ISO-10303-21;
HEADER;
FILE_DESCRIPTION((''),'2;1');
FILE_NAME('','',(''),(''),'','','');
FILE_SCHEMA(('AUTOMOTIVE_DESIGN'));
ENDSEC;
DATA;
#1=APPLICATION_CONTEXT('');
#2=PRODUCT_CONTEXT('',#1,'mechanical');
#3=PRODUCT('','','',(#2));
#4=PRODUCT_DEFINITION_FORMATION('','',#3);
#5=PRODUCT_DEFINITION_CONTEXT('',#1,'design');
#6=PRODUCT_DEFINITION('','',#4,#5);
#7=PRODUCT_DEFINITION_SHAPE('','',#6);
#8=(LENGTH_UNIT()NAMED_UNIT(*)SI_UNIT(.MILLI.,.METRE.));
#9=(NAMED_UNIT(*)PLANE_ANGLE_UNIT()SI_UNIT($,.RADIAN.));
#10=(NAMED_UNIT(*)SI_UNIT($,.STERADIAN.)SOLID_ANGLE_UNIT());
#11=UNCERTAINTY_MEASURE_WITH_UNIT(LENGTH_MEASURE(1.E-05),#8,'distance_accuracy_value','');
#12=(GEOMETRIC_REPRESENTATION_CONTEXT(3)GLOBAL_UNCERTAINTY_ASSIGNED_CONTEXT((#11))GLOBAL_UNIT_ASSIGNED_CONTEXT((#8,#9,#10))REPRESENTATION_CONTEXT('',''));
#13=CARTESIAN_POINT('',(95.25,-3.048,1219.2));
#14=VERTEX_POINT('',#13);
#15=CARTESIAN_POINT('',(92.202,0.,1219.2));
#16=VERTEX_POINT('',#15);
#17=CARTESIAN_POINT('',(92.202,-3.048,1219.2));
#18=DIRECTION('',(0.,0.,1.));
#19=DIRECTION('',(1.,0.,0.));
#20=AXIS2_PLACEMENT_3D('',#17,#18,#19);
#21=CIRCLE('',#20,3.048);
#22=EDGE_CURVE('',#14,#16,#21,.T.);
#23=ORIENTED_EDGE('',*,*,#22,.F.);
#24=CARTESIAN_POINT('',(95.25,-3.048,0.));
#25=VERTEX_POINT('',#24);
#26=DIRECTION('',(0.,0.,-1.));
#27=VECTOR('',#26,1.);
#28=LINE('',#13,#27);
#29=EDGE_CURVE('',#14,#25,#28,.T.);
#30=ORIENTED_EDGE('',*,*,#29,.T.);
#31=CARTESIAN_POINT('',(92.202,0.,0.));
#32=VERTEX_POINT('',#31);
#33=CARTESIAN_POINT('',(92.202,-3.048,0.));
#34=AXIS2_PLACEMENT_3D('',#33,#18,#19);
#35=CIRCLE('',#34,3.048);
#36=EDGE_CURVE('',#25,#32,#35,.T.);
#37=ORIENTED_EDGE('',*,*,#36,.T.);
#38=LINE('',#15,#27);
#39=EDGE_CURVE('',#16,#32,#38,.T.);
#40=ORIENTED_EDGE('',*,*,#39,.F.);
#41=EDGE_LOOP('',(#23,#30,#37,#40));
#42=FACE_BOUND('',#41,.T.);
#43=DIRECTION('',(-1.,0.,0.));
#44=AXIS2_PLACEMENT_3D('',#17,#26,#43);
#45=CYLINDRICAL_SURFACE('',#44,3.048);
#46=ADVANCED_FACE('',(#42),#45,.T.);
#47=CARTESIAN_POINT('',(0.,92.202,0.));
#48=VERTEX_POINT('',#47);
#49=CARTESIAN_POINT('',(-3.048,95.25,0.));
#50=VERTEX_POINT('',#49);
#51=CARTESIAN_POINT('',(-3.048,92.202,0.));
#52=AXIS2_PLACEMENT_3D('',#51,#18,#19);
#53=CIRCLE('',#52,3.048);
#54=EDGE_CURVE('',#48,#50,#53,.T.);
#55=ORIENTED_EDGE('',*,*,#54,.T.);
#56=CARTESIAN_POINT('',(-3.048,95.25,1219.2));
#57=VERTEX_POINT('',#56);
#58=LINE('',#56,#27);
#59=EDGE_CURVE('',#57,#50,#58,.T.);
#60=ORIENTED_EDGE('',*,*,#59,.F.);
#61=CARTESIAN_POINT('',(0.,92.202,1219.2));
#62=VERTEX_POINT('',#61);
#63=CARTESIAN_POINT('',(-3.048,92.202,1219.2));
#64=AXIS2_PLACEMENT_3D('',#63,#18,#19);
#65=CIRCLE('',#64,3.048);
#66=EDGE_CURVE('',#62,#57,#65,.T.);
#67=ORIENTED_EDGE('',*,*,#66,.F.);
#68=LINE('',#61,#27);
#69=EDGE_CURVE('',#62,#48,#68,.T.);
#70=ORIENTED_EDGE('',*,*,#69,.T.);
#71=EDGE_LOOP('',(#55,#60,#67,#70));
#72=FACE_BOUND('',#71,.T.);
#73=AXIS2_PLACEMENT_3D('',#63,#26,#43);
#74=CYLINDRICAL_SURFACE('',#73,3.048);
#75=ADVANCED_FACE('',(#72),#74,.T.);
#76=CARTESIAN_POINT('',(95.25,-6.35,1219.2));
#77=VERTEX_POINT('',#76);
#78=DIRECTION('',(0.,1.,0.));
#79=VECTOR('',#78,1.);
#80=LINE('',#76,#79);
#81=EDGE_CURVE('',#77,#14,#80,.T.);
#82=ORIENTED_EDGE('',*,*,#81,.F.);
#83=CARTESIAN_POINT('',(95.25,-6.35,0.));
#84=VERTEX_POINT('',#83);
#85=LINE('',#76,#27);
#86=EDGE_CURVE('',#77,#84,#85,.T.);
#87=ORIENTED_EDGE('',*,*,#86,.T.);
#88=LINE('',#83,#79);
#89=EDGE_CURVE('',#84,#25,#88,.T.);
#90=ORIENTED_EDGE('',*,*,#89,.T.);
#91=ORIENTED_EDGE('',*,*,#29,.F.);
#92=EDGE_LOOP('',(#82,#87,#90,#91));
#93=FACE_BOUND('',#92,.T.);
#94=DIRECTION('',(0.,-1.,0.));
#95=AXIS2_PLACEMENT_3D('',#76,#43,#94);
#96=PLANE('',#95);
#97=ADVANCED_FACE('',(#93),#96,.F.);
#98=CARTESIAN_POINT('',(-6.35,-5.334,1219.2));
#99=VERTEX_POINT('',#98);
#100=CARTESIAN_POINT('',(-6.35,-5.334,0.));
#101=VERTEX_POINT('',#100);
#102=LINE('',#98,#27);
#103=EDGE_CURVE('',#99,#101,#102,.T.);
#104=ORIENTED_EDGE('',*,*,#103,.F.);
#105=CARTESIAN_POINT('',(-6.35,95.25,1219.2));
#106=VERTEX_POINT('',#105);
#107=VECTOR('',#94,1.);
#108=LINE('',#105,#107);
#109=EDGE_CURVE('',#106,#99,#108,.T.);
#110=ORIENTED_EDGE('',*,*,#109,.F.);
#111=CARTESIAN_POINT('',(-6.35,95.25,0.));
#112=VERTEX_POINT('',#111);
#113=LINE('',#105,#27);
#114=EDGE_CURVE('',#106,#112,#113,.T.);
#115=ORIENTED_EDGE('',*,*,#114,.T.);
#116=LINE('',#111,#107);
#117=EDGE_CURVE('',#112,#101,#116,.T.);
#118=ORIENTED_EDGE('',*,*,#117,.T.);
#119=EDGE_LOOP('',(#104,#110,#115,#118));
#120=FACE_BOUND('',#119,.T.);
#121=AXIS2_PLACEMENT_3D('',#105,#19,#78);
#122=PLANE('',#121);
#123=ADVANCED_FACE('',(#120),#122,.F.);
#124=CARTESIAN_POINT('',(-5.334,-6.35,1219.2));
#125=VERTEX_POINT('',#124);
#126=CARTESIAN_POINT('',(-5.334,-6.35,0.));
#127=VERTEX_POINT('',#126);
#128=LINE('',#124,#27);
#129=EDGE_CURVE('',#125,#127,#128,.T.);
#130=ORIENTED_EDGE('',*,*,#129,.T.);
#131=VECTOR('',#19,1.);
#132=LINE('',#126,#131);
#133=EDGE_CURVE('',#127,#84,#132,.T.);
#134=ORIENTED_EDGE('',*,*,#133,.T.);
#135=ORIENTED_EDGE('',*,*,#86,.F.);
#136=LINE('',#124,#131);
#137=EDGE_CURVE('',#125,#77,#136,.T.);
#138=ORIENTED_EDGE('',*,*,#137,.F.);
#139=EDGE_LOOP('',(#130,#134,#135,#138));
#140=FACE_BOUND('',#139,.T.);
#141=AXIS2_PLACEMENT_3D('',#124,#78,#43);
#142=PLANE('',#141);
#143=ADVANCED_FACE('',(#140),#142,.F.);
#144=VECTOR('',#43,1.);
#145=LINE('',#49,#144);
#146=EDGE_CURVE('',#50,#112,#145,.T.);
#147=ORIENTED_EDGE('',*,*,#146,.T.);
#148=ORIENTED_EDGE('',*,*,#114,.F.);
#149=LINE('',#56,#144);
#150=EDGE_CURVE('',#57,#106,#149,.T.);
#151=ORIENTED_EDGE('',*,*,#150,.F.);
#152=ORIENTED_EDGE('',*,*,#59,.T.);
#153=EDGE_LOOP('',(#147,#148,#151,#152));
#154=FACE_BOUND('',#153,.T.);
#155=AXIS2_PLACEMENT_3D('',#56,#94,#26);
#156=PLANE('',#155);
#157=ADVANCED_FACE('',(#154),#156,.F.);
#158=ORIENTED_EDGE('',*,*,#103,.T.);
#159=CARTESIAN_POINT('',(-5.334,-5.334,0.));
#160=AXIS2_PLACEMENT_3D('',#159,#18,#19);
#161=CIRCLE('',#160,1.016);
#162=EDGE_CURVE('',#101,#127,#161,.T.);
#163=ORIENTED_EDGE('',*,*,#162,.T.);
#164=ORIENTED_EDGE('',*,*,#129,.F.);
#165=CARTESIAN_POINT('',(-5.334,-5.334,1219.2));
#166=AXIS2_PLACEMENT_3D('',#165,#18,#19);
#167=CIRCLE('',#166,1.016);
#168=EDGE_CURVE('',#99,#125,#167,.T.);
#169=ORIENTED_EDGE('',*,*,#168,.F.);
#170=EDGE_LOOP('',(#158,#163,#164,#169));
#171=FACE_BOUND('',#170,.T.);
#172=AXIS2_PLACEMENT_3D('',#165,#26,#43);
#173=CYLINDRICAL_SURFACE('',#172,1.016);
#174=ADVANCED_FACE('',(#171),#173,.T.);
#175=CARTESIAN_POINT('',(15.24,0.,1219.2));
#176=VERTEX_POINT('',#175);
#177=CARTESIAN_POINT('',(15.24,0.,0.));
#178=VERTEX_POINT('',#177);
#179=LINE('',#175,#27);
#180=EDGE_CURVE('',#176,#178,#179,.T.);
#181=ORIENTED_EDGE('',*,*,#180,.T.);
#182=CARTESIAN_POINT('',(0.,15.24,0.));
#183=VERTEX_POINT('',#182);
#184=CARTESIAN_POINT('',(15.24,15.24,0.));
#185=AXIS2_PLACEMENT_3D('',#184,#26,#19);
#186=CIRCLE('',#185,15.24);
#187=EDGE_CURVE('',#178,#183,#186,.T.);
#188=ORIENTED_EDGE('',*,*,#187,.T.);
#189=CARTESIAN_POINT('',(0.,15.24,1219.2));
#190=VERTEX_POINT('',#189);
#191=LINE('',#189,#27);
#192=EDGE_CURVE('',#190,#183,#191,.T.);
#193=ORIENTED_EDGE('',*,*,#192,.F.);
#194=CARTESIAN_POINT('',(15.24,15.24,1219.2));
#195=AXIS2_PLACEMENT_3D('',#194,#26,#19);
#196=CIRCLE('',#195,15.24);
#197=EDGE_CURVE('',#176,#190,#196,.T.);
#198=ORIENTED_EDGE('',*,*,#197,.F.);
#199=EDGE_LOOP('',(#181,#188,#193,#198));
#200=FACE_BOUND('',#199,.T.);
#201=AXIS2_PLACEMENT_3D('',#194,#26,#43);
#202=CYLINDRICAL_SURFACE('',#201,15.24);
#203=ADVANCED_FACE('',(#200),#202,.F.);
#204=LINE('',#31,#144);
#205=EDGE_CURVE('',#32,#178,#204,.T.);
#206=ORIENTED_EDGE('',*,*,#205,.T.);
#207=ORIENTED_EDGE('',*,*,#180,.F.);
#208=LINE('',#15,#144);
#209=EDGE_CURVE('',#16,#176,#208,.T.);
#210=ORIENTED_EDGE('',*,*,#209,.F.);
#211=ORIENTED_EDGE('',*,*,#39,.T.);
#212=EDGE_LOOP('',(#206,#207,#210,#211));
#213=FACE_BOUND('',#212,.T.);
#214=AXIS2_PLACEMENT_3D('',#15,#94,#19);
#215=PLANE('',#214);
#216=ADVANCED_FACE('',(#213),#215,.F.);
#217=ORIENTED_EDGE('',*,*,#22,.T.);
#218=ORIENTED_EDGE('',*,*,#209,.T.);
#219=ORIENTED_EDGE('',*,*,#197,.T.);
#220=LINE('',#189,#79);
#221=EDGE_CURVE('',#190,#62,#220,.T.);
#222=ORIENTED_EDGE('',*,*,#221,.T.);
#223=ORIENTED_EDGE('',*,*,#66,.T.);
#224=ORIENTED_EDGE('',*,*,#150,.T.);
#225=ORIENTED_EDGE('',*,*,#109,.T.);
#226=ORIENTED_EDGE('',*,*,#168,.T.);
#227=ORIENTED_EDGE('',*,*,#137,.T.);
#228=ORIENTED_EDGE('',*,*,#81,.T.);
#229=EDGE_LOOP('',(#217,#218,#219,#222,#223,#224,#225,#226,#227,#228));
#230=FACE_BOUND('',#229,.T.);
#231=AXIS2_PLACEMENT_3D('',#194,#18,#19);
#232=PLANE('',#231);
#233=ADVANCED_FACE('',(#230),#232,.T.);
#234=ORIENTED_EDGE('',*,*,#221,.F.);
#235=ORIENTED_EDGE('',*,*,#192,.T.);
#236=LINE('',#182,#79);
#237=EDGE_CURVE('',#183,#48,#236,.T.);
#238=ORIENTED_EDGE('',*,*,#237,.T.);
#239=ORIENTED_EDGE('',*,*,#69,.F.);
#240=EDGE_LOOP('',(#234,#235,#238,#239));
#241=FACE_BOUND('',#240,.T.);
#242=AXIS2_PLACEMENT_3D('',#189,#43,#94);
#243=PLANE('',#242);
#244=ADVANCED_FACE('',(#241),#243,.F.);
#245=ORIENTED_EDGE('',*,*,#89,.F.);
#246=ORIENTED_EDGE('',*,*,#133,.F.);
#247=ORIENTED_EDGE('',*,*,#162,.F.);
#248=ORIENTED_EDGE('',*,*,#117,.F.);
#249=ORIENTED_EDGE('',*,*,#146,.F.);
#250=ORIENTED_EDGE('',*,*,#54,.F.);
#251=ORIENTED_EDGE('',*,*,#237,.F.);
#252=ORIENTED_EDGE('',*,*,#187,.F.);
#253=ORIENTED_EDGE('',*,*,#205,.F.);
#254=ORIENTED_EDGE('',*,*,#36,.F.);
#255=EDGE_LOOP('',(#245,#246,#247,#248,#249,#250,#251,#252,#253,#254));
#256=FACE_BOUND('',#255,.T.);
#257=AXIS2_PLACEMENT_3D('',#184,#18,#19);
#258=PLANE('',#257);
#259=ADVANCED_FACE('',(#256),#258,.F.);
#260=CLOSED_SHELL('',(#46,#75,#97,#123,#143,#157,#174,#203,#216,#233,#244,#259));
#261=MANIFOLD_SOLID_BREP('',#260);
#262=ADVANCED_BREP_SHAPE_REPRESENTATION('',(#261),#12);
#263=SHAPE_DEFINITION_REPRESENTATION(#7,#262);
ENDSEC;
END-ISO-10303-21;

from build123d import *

# Parameters (mm, degrees)
BOSS_EXTRUDE1_DEPTH = 1219.2


with BuildPart() as part:
    # Sketch3 → Boss-Extrude1 (new body)
    with BuildSketch(Plane.XY):
        with BuildLine():
            Line((0, 15.24), (0, 92.202))
            ThreePointArc((0, 92.202), (-0.892738531, 94.357261469), (-3.048, 95.25))
            Line((-3.048, 95.25), (-6.35, 95.25))
            Line((-6.35, 95.25), (-6.35, -5.334))
            ThreePointArc((-6.35, -5.334), (-6.05242049, -6.05242049), (-5.334, -6.35))
            Line((-5.334, -6.35), (95.25, -6.35))
            Line((95.25, -6.35), (95.25, -3.048))
            ThreePointArc((95.25, -3.048), (94.357261469, -0.892738531), (92.202, 0))
            Line((92.202, 0), (15.24, 0))
            ThreePointArc((15.24, 0), (4.463692655, 4.463692655), (0, 15.24))
        make_face()
    extrude(amount=BOSS_EXTRUDE1_DEPTH)


solid = part.part
